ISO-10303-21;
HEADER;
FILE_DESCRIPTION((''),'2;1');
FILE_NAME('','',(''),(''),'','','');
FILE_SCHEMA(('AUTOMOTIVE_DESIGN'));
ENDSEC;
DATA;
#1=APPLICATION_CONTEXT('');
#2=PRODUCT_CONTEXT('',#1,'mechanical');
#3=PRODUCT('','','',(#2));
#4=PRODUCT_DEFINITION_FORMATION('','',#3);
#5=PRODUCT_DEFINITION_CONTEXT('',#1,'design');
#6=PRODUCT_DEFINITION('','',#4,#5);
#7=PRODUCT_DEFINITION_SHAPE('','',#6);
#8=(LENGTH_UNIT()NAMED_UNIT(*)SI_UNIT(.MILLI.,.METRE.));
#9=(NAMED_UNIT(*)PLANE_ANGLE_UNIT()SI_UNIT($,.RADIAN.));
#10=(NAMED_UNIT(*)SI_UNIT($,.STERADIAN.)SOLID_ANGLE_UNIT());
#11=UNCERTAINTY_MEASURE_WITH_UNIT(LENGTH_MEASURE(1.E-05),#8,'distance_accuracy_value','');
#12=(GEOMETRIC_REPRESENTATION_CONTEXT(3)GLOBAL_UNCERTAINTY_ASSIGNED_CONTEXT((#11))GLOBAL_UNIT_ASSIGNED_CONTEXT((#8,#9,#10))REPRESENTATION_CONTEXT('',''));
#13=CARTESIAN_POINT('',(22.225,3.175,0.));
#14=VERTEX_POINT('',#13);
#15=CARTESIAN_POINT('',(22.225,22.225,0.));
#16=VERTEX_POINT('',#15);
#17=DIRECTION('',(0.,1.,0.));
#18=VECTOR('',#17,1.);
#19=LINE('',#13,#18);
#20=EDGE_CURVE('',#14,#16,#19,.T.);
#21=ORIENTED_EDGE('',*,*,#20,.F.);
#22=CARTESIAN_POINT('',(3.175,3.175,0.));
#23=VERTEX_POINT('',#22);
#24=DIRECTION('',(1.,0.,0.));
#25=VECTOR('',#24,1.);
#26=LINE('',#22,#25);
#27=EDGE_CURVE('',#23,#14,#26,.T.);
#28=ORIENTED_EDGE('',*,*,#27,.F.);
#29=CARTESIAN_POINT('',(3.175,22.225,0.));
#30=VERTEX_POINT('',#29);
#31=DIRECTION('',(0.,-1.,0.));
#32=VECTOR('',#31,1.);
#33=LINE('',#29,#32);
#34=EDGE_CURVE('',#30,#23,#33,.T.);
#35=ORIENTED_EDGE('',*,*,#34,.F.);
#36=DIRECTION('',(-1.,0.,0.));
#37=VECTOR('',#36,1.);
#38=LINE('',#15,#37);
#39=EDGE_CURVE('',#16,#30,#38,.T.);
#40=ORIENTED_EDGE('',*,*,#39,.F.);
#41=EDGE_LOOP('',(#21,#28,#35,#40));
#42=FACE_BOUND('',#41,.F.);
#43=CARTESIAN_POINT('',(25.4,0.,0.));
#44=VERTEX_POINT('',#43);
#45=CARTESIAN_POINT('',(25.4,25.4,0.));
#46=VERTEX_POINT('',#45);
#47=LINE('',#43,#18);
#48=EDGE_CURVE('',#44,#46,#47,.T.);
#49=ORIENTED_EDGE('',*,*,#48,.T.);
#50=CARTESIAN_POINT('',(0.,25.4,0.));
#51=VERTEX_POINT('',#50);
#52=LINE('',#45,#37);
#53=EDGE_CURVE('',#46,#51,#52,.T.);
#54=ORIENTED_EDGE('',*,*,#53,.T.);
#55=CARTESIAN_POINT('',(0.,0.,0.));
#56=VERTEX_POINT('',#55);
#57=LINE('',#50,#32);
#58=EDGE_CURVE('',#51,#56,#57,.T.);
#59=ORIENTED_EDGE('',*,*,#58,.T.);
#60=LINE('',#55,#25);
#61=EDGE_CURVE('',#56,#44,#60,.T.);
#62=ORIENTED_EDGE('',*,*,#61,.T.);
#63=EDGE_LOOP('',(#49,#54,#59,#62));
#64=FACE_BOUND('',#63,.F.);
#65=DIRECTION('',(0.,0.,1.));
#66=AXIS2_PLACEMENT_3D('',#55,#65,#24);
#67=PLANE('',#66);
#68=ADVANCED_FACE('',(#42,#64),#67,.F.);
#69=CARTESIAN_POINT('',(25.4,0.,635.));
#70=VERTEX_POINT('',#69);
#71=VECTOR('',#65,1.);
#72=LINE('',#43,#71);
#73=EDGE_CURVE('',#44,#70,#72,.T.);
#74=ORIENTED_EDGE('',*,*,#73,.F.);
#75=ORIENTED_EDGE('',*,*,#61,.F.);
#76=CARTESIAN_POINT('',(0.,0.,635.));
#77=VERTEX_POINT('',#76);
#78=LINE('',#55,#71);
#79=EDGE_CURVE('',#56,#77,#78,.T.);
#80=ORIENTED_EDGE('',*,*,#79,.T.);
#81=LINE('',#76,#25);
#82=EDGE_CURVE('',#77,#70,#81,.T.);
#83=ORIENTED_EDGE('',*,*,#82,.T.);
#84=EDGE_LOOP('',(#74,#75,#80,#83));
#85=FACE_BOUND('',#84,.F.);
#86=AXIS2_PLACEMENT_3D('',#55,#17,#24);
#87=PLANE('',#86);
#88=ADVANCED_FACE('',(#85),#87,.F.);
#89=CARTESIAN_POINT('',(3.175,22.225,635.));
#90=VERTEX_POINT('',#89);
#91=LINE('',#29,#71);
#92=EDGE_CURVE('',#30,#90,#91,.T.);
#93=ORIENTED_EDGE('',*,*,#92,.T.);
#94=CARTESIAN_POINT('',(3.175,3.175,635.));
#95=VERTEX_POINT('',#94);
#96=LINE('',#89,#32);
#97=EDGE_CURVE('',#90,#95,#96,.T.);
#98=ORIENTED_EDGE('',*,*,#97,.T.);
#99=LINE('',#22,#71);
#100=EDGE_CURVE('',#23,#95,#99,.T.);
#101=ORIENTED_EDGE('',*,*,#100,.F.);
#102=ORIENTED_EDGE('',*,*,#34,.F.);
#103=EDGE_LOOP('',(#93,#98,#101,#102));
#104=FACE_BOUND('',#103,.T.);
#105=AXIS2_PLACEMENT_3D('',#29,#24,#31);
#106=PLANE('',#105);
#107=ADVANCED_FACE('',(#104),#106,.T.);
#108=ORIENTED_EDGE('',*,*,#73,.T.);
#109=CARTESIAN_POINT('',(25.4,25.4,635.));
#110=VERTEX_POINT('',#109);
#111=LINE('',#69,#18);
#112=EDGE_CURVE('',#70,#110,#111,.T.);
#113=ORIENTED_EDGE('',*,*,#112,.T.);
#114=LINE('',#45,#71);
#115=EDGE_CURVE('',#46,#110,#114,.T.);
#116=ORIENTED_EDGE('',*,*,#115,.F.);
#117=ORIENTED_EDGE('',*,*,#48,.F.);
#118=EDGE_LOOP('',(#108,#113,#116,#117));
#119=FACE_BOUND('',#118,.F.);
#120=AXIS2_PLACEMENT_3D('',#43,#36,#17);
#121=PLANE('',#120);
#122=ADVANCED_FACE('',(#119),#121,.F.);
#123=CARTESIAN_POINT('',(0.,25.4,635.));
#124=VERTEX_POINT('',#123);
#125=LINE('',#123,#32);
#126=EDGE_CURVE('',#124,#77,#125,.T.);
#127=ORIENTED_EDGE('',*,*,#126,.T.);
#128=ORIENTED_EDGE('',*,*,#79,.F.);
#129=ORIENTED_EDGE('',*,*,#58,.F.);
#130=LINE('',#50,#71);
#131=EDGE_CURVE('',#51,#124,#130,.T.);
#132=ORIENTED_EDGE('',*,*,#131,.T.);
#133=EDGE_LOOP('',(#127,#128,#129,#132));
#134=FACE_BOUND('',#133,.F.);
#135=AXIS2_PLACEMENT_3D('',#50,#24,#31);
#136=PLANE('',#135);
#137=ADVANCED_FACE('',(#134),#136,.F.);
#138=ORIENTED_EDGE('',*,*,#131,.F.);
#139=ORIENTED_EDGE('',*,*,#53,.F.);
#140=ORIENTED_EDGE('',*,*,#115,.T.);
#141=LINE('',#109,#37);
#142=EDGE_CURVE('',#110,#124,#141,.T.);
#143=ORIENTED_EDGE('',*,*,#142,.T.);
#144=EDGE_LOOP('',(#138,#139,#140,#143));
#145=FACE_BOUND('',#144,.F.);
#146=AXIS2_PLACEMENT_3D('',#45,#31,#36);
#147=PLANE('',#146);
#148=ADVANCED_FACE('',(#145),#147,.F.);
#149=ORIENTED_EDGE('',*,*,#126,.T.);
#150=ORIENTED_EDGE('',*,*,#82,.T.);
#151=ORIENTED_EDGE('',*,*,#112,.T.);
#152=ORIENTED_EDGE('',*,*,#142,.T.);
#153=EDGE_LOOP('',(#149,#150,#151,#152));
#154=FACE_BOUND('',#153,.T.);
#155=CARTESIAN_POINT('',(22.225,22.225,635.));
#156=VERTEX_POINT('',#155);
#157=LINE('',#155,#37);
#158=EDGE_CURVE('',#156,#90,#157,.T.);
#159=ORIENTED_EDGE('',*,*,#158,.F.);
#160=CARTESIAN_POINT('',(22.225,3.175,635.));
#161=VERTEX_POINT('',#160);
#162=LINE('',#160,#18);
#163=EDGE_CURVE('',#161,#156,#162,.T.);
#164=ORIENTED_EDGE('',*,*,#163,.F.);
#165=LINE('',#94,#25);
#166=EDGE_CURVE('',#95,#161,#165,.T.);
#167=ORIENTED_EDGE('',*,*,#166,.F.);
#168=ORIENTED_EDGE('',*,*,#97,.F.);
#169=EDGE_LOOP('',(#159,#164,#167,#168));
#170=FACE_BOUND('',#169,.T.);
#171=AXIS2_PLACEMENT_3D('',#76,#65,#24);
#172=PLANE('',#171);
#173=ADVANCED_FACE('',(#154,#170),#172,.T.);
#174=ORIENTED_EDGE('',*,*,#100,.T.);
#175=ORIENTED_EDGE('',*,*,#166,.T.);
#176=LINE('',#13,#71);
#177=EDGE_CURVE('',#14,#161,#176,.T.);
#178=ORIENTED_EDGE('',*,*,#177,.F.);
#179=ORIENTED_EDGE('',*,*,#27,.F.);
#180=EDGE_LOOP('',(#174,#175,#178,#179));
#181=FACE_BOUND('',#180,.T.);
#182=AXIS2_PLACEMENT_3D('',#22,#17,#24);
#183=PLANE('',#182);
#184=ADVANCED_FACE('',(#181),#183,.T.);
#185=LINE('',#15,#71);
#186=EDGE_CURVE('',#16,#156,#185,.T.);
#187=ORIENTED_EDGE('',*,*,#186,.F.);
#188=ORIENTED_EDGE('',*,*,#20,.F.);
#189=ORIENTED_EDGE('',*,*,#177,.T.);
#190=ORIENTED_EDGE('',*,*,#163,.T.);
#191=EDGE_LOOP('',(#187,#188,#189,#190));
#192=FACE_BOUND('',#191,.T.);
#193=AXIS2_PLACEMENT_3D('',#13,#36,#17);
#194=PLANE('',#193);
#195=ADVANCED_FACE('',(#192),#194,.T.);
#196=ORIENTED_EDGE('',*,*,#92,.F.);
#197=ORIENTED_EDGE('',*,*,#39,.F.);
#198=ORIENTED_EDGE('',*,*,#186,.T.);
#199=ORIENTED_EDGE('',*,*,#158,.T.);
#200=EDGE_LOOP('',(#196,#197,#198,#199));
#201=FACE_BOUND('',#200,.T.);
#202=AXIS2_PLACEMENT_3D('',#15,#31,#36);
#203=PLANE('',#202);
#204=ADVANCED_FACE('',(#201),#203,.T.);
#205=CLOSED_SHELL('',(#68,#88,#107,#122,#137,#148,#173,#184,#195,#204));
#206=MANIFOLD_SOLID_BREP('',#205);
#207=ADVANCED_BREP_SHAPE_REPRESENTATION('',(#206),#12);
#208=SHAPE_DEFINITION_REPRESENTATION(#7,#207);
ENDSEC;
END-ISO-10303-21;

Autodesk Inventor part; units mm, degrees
ref_plane "YZ Plane" through (0, 0, 0) normal (1, 0, 0) x (0, 1, 0)
ref_plane "XZ Plane" through (0, 0, 0) normal (0, 1, 0) x (-1, 0, 0)
ref_plane "XY Plane" through (0, 0, 0) normal (0, 0, 1) x (1, 0, 0)
sketch "Sketch1" plane through (0, 0, 0) normal (0, 0, 1) x (1, 0, 0)
  line L0 (0, 0) -> (25.4, 0)
  line L1 (25.4, 0) -> (25.4, 25.4)
  line L2 (25.4, 25.4) -> (0, 25.4)
  line L3 (0, 25.4) -> (0, 0)
  line L4 (3.175, 3.175) -> (22.225, 3.175)
  line L5 (22.225, 3.175) -> (22.225, 22.225)
  line L6 (22.225, 22.225) -> (3.175, 22.225)
  line L7 (3.175, 22.225) -> (3.175, 3.175)
  dimension "d0" = 25.4
  dimension "d1" = 25.4
  dimension "d2" = 19.05
  dimension "d3" = 19.05
  dimension "d4" = 3.175
  dimension "d5" = 3.175
extrude "Extrusion1" add sketch "Sketch1" along normal blind 635
properties part number "Rear Support"
